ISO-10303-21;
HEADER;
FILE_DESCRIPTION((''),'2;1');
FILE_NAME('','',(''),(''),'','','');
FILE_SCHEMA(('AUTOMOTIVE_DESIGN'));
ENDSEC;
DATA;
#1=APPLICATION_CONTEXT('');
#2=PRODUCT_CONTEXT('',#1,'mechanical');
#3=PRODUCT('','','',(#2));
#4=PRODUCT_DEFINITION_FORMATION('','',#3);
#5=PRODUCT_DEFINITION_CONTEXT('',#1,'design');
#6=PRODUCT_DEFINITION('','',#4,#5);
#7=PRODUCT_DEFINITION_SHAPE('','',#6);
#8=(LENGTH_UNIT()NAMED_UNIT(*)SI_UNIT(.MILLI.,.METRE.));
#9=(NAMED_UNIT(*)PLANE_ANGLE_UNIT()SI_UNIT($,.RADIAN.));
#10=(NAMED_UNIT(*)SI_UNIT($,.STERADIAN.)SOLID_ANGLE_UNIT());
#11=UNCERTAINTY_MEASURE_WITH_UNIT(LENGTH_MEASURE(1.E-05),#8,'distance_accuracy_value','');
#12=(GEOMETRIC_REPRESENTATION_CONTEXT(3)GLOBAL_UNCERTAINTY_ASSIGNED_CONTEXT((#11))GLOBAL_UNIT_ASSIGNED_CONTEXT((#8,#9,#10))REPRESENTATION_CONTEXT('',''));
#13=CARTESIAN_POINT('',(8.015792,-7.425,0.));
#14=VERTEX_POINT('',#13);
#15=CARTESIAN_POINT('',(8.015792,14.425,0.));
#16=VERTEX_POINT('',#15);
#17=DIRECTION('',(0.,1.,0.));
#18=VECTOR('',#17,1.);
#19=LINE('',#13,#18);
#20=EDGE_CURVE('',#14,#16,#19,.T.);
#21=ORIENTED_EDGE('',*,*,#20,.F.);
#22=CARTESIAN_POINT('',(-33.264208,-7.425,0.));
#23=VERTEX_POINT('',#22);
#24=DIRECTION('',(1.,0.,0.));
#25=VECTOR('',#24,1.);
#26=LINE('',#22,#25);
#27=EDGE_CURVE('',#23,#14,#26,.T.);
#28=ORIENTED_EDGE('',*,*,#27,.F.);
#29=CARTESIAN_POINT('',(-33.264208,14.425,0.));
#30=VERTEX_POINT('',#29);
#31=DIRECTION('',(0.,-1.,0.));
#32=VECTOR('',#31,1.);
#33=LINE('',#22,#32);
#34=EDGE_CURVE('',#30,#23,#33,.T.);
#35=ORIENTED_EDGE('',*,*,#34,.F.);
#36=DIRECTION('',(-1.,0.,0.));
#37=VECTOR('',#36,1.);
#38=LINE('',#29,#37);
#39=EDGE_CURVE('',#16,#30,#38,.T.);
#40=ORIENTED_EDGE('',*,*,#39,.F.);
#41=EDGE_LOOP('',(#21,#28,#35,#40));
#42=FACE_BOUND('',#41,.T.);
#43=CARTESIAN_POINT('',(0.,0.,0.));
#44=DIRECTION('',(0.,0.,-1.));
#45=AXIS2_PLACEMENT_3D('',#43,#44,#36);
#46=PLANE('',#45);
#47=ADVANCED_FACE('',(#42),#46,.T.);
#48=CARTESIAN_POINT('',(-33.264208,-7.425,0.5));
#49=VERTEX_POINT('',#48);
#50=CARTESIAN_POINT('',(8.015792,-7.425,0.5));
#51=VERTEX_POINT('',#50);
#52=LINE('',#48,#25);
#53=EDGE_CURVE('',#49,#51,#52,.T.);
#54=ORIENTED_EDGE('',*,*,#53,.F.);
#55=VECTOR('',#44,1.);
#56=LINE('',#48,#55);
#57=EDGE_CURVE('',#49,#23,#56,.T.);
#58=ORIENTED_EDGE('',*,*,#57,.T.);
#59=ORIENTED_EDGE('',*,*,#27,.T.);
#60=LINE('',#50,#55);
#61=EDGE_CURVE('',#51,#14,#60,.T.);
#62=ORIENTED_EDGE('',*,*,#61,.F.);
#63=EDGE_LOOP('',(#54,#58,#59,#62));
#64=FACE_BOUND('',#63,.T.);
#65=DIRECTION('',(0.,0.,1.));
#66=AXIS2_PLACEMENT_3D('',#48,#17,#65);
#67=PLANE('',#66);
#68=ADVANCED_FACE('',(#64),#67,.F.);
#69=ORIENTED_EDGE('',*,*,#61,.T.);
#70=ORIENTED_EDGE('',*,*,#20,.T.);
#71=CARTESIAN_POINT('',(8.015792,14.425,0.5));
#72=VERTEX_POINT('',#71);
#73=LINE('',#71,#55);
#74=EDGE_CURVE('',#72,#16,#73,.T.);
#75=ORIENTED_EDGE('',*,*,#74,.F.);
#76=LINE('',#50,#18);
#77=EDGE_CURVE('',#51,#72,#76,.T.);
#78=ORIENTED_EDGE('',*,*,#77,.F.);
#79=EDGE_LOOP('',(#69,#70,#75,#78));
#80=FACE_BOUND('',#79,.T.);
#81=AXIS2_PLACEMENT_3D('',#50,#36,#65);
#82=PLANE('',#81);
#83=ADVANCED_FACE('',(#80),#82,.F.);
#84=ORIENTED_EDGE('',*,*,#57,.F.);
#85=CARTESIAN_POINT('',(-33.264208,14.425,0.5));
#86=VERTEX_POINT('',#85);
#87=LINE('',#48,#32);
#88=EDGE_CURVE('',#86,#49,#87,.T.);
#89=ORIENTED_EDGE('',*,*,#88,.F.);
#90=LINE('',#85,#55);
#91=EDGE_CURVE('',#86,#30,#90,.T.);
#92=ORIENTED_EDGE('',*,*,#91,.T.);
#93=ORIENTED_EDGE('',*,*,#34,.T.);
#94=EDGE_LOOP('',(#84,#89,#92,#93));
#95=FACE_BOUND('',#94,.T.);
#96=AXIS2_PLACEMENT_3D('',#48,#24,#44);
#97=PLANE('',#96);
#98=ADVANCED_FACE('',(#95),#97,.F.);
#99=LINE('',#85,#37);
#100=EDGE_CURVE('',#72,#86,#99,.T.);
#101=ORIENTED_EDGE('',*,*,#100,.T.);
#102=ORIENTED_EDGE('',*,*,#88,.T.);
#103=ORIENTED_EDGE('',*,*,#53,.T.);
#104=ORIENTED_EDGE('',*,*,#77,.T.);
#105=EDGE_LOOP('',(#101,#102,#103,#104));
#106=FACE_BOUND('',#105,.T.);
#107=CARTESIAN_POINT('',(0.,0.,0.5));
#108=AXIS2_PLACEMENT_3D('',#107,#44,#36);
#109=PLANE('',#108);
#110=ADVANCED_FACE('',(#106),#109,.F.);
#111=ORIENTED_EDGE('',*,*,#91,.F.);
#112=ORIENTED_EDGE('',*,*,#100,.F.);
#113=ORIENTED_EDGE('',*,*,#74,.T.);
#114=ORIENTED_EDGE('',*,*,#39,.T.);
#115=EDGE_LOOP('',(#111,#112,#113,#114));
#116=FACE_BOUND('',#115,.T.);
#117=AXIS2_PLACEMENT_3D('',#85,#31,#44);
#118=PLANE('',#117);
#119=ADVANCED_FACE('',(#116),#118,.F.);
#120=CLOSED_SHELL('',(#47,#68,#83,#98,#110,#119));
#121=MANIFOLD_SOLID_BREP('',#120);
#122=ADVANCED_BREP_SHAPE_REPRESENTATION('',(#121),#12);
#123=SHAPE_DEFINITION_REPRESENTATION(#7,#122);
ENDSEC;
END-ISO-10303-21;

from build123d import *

# Parameters (mm, degrees)
ESBO_O1_W                = 41.28
ESBO_O1_H                = 21.85
RESSALTO_EXTRUS_O1_DEPTH = 0.5


with BuildPart() as part:
    # Esboço1 → Ressalto-extrusão1 (new body)
    with BuildSketch(Plane.XY):
        with Locations((-12.62420765, 3.5)):
            Rectangle(ESBO_O1_W, ESBO_O1_H)
    extrude(amount=RESSALTO_EXTRUS_O1_DEPTH)


solid = part.part
